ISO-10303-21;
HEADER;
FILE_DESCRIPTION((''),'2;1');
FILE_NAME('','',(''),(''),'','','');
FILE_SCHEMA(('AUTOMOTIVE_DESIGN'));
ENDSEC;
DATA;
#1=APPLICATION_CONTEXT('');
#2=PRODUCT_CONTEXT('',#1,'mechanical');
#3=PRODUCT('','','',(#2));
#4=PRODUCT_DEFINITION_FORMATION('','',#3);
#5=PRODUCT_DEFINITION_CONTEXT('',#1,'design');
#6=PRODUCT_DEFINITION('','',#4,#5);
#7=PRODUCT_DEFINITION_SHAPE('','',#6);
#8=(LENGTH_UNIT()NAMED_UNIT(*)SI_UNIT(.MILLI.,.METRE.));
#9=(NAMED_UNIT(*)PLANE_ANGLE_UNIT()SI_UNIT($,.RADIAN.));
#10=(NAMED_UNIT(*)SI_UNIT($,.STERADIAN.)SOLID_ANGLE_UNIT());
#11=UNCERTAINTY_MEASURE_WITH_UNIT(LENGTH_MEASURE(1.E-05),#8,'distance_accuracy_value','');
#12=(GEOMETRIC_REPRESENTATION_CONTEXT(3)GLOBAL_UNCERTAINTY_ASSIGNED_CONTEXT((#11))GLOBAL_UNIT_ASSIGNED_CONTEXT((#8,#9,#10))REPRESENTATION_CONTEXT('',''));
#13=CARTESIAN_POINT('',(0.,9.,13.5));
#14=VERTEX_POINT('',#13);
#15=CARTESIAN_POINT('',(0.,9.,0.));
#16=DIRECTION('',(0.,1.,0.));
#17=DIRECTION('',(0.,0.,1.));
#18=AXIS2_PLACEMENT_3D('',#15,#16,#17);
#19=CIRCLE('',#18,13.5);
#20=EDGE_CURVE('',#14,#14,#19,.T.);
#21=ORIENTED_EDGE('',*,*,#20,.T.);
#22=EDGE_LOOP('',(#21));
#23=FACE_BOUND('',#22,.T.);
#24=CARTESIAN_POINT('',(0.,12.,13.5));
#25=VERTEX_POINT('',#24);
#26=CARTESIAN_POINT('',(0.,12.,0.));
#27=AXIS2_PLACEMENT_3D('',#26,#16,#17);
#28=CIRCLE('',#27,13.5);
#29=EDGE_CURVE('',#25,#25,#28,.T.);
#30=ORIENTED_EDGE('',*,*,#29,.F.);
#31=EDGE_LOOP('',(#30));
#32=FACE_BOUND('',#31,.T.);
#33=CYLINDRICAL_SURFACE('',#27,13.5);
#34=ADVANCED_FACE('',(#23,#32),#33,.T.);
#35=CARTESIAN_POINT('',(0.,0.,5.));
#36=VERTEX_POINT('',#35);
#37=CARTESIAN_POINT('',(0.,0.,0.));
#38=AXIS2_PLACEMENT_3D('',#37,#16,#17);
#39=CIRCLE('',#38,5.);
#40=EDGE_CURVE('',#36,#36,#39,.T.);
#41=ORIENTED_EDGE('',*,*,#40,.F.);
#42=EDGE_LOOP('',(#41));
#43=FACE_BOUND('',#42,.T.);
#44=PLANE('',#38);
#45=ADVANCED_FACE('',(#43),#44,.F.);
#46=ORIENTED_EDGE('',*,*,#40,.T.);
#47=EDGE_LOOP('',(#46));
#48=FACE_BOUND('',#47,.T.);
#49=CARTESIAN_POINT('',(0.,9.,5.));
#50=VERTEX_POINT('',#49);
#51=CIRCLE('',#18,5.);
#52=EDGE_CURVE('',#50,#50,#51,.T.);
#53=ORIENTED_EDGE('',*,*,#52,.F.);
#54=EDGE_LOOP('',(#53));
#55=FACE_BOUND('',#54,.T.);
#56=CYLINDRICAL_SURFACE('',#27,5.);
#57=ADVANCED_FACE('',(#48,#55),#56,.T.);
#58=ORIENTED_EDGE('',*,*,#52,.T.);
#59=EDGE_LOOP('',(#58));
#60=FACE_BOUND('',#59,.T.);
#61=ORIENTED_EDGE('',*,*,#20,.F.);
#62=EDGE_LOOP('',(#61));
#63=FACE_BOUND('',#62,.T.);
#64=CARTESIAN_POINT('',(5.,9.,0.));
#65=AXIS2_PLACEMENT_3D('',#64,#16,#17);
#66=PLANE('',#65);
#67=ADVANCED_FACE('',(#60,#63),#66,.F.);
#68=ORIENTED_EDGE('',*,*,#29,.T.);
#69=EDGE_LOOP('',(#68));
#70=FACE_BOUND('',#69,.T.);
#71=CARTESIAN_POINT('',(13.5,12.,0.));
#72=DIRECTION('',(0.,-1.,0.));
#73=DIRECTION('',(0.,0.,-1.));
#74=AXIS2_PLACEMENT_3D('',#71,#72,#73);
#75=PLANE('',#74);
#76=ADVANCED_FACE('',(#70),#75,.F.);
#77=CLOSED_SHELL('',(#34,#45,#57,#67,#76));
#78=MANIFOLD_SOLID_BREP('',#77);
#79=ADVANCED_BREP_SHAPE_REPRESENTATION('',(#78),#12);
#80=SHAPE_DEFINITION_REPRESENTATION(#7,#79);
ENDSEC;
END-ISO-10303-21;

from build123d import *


with BuildPart() as part:
    # Sketch1 → Revolve1 (revolve)
    with BuildSketch(Plane.XY, mode=Mode.PRIVATE) as revolve1_sk:
        Polygon((0, 0), (5, 0), (5, 9), (13.5, 9), (13.5, 12), (0, 12), align=None)
    revolve(revolve1_sk.sketch.rotate(Axis((0, 12, 0), (0, -1, 0)), 90), axis=Axis((0, 12, 0), (0, -1, 0)))


solid = part.part
